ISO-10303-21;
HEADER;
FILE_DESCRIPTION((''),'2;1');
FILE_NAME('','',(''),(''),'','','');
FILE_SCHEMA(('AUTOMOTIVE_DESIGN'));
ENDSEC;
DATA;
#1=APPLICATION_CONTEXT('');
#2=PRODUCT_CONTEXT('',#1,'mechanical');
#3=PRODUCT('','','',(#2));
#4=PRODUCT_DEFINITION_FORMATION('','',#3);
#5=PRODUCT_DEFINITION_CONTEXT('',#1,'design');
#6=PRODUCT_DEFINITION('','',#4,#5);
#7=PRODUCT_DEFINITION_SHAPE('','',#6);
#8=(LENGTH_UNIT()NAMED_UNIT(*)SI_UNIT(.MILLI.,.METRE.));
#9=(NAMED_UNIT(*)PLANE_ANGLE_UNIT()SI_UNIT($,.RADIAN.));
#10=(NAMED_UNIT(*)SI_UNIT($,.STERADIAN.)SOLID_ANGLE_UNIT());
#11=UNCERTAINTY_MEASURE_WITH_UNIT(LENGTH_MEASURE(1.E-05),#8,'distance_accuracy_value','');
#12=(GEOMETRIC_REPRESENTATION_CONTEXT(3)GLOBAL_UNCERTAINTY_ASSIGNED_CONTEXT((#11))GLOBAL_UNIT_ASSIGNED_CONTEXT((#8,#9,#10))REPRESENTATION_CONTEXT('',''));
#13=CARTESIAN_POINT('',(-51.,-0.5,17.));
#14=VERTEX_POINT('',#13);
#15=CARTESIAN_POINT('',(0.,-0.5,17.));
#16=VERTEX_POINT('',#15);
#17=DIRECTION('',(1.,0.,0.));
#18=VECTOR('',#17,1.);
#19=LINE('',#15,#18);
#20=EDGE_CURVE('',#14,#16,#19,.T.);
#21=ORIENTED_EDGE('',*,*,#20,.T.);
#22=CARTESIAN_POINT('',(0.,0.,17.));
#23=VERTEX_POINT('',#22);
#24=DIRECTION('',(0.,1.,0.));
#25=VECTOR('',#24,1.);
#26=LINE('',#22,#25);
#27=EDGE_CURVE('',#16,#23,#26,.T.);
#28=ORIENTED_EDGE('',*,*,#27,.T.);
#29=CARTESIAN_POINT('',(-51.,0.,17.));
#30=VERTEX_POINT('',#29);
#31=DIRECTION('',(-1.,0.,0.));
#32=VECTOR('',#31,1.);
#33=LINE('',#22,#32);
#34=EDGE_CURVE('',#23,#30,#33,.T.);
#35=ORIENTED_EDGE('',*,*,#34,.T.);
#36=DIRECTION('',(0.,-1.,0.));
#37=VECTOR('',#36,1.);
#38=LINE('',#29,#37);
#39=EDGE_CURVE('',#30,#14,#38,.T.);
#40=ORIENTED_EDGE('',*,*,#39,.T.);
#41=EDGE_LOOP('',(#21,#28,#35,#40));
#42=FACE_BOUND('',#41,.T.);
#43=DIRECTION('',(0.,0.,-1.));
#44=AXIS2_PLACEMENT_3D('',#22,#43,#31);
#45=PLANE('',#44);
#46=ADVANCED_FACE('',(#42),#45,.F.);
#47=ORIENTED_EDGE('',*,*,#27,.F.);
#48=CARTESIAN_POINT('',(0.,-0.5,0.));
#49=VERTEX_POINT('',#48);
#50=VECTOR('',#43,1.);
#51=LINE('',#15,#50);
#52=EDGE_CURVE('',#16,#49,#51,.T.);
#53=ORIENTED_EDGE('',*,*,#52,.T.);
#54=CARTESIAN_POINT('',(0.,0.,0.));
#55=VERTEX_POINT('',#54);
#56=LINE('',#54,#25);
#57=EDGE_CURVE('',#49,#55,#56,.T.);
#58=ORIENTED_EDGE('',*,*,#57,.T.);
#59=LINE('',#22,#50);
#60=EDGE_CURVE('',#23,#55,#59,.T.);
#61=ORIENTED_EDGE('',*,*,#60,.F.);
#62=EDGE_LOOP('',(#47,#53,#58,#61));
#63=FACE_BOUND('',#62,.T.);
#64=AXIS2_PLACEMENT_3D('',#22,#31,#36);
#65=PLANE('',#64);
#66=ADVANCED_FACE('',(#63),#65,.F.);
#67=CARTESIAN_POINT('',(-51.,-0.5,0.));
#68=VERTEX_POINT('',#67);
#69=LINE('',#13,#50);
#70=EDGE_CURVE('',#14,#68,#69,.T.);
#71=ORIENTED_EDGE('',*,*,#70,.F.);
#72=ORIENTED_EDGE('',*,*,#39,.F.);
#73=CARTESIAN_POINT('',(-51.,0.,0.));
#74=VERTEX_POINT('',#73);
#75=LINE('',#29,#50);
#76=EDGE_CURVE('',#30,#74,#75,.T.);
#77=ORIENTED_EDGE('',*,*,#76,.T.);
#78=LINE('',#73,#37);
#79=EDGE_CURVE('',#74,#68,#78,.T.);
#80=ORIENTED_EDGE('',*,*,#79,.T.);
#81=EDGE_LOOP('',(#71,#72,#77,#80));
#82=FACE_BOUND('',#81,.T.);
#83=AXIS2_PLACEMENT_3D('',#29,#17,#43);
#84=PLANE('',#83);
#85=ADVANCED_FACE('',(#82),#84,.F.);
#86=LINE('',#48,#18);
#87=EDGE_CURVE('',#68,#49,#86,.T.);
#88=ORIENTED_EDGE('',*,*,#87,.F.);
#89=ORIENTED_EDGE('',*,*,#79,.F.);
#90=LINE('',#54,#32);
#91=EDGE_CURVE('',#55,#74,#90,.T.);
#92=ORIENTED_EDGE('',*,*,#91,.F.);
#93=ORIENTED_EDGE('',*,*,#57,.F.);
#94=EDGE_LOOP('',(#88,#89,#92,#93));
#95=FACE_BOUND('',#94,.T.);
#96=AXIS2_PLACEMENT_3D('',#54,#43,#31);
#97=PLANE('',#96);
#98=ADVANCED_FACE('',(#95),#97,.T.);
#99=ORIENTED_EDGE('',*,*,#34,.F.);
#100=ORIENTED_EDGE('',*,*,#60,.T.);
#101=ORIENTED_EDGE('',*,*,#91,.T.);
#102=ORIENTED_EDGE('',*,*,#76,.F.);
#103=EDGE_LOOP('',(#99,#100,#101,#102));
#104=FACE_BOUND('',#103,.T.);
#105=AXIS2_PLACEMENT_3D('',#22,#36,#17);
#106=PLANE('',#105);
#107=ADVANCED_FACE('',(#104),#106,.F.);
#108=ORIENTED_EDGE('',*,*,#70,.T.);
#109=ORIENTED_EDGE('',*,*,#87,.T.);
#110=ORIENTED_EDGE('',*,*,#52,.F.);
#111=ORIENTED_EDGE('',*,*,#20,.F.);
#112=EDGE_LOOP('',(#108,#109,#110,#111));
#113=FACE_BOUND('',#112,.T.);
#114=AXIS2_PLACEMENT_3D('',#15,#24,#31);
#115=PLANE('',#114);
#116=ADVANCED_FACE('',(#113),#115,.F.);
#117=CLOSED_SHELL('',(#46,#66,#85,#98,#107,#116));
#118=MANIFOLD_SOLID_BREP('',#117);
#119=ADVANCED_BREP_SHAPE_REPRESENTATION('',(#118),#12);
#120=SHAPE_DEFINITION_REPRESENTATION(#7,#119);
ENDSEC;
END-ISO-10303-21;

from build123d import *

# Parameters (mm, degrees)
SKETCH1_W           = 51
SKETCH1_H           = 0.5
BOSS_EXTRUDE1_DEPTH = 17


with BuildPart() as part:
    # Sketch1 → Boss-Extrude1 (new body)
    with BuildSketch(Plane.XY):
        with Locations((-25.5, -0.25)):
            Rectangle(SKETCH1_W, SKETCH1_H)
    extrude(amount=BOSS_EXTRUDE1_DEPTH)


solid = part.part
